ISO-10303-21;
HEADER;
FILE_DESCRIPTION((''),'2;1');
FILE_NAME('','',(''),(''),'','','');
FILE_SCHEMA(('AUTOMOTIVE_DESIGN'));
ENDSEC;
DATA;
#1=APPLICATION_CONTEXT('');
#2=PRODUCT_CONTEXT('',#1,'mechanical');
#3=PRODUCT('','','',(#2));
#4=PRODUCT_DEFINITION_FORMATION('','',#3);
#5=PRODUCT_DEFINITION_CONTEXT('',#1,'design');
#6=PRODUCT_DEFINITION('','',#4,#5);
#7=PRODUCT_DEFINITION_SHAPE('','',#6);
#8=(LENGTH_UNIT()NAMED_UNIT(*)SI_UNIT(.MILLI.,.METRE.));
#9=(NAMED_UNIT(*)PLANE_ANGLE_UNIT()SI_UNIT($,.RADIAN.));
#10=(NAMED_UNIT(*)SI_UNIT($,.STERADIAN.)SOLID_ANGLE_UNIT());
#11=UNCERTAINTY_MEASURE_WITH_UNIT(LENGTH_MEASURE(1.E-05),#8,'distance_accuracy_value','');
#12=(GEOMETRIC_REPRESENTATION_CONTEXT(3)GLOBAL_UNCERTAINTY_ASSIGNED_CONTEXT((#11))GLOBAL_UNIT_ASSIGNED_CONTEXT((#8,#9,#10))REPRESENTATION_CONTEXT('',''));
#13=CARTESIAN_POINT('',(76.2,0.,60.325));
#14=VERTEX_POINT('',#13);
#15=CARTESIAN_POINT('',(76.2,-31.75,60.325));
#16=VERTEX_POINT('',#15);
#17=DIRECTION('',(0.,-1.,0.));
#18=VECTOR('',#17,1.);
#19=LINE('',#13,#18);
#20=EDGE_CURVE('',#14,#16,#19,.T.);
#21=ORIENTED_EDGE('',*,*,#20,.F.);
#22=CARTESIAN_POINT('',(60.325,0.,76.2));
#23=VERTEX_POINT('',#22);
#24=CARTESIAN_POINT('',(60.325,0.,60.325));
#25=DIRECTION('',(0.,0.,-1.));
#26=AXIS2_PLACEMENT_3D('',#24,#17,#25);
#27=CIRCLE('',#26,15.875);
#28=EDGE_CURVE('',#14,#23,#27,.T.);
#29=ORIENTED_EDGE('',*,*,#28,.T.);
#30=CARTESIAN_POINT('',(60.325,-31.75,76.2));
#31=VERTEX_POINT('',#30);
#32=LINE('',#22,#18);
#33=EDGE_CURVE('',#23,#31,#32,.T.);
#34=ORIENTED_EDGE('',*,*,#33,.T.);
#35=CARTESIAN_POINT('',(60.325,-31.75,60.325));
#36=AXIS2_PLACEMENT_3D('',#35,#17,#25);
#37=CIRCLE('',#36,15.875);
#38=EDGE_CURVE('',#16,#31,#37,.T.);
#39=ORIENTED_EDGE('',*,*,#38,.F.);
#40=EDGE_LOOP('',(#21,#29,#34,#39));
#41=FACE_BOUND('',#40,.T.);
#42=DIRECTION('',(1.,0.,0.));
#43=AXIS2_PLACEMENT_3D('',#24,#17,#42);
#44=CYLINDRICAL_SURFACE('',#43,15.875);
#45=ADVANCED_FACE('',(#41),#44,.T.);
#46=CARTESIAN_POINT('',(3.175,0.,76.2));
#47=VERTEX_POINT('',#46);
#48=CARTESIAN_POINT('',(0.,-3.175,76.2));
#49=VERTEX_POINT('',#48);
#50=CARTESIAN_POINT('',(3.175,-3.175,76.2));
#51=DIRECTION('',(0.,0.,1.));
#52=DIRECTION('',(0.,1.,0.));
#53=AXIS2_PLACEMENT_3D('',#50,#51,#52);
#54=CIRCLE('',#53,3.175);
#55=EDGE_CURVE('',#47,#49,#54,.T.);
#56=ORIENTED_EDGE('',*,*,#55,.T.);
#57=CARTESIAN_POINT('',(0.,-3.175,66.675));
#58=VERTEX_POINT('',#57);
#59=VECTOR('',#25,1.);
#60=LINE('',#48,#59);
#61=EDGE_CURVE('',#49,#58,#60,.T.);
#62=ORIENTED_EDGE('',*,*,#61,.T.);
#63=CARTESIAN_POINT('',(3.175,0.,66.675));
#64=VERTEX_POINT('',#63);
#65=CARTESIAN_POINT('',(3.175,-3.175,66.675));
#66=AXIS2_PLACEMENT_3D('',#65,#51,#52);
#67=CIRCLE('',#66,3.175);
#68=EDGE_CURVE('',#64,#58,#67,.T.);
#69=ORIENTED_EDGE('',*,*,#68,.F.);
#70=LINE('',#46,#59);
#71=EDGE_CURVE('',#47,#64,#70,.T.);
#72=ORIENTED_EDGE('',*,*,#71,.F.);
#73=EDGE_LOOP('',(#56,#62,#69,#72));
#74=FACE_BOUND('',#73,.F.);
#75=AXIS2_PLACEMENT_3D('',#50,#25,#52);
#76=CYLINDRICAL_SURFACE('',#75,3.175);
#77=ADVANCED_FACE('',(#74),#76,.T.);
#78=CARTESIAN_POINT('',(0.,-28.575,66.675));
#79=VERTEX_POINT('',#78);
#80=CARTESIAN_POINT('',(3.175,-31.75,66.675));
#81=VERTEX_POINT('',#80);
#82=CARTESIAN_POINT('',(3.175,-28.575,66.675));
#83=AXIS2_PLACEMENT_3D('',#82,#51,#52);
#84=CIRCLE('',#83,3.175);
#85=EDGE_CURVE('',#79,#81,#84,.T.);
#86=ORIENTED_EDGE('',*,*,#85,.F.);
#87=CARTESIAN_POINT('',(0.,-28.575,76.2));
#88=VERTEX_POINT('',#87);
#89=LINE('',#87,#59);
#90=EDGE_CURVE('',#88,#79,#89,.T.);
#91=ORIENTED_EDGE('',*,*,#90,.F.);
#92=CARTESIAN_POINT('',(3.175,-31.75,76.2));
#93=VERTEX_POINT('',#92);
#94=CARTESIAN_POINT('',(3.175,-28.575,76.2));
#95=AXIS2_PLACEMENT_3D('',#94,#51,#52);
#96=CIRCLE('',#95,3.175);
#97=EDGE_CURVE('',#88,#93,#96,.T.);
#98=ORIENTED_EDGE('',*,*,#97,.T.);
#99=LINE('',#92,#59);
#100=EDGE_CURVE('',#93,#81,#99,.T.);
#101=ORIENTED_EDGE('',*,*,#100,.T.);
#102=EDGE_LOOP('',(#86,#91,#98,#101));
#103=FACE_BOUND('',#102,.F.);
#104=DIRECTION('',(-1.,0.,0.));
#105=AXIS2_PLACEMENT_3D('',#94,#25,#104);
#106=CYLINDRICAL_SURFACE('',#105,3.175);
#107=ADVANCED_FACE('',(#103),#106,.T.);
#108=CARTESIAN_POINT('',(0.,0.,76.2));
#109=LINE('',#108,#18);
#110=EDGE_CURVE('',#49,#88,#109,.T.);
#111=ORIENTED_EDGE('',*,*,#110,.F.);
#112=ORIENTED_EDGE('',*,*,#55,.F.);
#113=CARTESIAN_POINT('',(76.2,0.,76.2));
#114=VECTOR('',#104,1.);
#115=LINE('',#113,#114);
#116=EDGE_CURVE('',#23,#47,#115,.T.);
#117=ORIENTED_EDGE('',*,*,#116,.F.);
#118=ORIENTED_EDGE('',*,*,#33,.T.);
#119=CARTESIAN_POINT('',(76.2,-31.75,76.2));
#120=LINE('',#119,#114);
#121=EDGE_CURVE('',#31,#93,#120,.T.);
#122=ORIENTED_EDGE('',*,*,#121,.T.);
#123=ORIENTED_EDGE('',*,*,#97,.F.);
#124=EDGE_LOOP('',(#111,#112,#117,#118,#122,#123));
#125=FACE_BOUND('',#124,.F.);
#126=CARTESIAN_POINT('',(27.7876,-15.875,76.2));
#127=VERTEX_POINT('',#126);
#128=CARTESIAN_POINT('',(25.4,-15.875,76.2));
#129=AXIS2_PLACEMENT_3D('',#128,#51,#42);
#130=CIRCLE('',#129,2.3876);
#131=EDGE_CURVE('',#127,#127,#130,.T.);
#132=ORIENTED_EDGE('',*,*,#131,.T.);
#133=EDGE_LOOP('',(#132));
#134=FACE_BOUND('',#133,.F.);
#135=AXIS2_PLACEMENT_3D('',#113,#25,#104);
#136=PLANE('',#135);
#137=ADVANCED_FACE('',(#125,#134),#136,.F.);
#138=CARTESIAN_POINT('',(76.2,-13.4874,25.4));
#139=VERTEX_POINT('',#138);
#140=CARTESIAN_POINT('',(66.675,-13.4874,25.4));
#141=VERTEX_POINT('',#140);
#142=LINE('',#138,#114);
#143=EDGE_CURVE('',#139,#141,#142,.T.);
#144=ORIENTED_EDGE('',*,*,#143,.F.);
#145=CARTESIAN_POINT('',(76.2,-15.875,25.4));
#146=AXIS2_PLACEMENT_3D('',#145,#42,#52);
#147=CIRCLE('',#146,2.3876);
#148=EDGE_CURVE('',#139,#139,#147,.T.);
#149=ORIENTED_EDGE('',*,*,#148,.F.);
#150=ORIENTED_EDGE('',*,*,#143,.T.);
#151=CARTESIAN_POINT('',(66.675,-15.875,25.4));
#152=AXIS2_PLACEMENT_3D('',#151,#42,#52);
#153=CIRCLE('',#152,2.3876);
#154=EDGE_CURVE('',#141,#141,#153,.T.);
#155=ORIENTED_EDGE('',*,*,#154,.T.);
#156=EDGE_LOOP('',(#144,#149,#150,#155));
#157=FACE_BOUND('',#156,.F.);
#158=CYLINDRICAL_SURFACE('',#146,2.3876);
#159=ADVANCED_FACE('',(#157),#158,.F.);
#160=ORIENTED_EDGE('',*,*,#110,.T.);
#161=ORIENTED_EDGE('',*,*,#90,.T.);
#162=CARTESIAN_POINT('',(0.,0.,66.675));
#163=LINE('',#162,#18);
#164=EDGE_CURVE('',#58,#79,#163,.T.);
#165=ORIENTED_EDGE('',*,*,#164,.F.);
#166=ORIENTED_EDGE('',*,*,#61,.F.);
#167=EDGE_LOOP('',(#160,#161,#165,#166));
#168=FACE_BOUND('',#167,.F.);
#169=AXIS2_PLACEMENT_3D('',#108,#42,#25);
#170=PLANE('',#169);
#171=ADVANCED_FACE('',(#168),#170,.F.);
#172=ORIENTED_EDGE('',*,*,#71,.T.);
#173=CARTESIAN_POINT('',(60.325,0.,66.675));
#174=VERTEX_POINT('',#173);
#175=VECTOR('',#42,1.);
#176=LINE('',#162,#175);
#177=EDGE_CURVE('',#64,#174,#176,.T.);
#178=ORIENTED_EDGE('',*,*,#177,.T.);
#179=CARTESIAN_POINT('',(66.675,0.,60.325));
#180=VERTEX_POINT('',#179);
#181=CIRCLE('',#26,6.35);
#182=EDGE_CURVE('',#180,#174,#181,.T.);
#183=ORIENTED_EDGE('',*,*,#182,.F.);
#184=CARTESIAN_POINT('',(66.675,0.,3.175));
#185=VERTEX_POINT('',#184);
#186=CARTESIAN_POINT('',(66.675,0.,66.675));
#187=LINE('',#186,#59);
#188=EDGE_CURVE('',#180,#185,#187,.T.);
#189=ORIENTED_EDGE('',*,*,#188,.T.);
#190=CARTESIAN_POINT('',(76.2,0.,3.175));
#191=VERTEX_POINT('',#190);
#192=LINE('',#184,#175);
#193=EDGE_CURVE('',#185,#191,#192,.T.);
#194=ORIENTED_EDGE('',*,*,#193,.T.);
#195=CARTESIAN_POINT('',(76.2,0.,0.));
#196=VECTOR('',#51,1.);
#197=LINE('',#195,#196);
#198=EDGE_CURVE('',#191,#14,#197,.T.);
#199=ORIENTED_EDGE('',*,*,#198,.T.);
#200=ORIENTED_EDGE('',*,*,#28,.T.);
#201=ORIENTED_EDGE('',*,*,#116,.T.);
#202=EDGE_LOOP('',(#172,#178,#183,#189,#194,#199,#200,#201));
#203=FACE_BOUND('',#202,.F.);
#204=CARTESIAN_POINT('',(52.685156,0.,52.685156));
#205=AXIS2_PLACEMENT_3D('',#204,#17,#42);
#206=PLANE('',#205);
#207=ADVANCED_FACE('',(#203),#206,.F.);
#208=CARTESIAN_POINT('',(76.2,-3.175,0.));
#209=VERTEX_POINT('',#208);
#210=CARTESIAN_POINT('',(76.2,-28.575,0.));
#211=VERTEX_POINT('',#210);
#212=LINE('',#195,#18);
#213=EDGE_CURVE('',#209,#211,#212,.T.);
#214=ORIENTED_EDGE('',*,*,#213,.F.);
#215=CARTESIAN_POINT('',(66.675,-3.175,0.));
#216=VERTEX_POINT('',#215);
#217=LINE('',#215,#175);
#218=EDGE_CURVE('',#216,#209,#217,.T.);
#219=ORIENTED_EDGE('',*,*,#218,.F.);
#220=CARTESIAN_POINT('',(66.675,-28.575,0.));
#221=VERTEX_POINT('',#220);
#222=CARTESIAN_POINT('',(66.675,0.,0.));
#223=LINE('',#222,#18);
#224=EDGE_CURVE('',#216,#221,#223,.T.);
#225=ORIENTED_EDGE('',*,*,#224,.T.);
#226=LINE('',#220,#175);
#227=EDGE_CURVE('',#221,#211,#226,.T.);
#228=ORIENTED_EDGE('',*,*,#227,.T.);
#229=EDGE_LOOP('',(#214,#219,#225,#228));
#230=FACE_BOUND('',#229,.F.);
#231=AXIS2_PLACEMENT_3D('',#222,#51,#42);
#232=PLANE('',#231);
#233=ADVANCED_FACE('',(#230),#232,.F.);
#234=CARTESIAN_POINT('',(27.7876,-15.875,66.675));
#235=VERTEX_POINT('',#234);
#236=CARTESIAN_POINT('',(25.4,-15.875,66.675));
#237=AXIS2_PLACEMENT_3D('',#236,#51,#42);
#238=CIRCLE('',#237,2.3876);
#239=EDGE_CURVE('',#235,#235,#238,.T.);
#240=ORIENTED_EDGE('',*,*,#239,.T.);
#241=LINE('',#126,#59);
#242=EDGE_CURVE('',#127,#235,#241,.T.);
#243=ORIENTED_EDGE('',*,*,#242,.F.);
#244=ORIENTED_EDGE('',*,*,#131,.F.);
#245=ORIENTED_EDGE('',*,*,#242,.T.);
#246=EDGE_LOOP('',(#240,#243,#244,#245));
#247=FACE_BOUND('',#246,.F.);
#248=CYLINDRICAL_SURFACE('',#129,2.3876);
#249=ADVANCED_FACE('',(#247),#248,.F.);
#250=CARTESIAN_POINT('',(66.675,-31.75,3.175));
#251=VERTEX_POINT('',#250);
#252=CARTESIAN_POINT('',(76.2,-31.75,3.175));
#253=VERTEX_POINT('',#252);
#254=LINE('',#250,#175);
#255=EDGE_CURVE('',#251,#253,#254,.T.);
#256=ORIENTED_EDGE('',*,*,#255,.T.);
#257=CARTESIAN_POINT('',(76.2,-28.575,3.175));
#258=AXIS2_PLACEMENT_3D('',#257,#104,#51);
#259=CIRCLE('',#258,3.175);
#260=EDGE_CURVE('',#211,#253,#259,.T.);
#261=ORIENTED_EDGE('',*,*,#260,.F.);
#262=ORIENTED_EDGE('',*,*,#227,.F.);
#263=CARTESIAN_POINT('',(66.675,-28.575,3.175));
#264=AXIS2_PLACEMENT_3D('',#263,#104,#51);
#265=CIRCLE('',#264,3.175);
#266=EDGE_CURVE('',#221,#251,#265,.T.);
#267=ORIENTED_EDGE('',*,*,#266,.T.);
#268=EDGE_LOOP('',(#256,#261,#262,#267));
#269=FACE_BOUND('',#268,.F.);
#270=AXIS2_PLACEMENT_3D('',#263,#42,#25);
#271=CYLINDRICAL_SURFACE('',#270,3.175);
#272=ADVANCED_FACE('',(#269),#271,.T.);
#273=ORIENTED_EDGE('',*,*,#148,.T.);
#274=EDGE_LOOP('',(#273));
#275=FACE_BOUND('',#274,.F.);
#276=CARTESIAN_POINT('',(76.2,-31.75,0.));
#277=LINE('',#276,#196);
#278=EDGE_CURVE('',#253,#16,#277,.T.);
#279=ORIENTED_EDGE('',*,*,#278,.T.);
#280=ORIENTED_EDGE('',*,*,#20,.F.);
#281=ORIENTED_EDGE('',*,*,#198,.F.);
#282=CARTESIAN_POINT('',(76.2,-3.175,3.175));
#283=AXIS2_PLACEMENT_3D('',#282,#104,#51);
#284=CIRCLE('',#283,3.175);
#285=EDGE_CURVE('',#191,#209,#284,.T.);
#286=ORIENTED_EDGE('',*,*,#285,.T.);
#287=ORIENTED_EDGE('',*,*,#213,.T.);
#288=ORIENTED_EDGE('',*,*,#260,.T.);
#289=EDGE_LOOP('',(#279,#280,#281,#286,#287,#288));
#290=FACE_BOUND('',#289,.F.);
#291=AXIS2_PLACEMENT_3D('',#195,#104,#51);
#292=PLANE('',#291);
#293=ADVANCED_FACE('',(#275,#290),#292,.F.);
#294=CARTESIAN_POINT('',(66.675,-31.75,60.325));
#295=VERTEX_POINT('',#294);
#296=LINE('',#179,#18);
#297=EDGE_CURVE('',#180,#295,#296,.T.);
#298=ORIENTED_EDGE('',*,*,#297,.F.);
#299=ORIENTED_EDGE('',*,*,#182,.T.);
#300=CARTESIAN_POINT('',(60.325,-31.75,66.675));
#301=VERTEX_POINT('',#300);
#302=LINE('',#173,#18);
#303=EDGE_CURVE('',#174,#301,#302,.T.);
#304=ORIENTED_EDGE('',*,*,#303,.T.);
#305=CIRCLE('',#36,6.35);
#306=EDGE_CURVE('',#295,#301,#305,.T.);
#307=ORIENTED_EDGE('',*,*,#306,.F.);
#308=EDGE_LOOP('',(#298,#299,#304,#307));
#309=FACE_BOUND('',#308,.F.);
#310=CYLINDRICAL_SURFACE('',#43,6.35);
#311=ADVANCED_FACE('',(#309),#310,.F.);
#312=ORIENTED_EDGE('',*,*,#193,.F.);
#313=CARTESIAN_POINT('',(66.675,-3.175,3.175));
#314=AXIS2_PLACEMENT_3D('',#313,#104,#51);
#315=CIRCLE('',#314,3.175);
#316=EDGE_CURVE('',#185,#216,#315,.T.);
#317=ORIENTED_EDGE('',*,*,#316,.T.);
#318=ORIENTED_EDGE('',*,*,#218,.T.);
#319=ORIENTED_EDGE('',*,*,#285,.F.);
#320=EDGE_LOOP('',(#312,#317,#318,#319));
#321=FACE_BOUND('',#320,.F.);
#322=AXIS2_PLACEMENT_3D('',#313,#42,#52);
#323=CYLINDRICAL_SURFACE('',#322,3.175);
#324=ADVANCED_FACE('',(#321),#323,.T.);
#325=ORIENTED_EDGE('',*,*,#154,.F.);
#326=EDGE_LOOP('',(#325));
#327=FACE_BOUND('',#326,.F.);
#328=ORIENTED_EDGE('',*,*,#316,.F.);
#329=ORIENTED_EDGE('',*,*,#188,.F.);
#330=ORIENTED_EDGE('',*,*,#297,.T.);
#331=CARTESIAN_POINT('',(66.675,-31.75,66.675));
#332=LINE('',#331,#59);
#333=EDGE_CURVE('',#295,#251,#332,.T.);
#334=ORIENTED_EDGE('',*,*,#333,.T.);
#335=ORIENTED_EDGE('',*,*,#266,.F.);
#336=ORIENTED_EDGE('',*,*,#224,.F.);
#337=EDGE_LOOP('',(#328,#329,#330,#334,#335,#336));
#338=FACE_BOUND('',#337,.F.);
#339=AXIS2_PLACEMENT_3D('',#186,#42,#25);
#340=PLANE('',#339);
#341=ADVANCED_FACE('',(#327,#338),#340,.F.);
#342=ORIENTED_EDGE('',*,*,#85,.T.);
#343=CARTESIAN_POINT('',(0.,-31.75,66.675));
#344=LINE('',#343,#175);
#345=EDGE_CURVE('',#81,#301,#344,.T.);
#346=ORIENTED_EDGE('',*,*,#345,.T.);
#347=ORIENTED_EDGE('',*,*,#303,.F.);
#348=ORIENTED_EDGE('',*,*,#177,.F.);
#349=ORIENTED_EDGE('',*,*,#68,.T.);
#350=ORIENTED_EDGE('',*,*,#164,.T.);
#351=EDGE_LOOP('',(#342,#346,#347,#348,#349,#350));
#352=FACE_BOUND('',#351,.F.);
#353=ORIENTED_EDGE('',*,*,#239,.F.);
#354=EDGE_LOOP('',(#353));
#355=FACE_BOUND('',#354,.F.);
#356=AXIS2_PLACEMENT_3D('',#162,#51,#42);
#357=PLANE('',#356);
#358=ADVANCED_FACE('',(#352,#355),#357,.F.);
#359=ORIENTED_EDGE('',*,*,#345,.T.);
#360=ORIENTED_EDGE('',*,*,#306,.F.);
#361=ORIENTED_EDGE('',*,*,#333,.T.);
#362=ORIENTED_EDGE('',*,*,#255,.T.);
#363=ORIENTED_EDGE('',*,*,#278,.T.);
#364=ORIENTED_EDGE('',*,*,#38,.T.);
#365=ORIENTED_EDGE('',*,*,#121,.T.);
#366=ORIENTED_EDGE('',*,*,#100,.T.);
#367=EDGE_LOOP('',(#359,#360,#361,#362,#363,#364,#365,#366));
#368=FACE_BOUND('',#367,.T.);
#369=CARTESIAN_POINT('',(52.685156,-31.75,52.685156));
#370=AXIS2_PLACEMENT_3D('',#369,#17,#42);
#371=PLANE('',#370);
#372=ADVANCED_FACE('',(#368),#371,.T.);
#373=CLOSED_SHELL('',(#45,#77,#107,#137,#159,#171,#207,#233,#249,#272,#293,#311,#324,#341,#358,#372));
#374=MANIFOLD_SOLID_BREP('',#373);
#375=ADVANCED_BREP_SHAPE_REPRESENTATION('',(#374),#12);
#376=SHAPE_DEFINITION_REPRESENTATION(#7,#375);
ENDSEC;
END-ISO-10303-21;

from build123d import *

# Parameters (mm, degrees)
F1_DEPTH = 31.75
F2_R     = 2.3876
F3_DEPTH = 25.4
F4_R     = 2.3876
F5_DEPTH = 25.4
F6_R     = 15.875
F7_R     = 6.35
F8_R     = 3.175


with BuildPart() as f1:
    # F0 (on Front) → F1 (new body)
    with BuildSketch(Plane.XZ):
        Polygon((66.675, 66.675), (66.675, 0), (76.2, 0), (76.2, 76.2), (0, 76.2), (0, 66.675), align=None)
    extrude(amount=F1_DEPTH)

    # F2 (on face) → F3 (cut)
    with BuildSketch(Plane.YZ.offset(76.2)):
        with Locations((-15.875, 25.4)):
            Circle(F2_R)
    extrude(amount=-F3_DEPTH, mode=Mode.SUBTRACT)

    # F4 (on face) → F5 (cut)
    with BuildSketch(Plane.XY.offset(76.2)):
        with Locations((25.4, -15.875)):
            Circle(F4_R)
    extrude(amount=-F5_DEPTH, mode=Mode.SUBTRACT)

    # F6
    f6_edges = [f1.edges().sort_by_distance(p)[0] for p in [
        (76.2, -15.875, 76.2),
    ]]
    fillet(f6_edges, radius=F6_R)

    # F7
    f7_edges = [f1.edges().sort_by_distance(p)[0] for p in [
        (66.675, -15.875, 66.675),
    ]]
    fillet(f7_edges, radius=F7_R)

    # F8
    f8_edges = [f1.edges().sort_by_distance(p)[0] for p in [
        (0, 0, 71.4375),
        (0, -31.75, 71.4375),
        (71.4375, 0, 0),
        (71.4375, -31.75, 0),
    ]]
    fillet(f8_edges, radius=F8_R)


solid = f1.part
